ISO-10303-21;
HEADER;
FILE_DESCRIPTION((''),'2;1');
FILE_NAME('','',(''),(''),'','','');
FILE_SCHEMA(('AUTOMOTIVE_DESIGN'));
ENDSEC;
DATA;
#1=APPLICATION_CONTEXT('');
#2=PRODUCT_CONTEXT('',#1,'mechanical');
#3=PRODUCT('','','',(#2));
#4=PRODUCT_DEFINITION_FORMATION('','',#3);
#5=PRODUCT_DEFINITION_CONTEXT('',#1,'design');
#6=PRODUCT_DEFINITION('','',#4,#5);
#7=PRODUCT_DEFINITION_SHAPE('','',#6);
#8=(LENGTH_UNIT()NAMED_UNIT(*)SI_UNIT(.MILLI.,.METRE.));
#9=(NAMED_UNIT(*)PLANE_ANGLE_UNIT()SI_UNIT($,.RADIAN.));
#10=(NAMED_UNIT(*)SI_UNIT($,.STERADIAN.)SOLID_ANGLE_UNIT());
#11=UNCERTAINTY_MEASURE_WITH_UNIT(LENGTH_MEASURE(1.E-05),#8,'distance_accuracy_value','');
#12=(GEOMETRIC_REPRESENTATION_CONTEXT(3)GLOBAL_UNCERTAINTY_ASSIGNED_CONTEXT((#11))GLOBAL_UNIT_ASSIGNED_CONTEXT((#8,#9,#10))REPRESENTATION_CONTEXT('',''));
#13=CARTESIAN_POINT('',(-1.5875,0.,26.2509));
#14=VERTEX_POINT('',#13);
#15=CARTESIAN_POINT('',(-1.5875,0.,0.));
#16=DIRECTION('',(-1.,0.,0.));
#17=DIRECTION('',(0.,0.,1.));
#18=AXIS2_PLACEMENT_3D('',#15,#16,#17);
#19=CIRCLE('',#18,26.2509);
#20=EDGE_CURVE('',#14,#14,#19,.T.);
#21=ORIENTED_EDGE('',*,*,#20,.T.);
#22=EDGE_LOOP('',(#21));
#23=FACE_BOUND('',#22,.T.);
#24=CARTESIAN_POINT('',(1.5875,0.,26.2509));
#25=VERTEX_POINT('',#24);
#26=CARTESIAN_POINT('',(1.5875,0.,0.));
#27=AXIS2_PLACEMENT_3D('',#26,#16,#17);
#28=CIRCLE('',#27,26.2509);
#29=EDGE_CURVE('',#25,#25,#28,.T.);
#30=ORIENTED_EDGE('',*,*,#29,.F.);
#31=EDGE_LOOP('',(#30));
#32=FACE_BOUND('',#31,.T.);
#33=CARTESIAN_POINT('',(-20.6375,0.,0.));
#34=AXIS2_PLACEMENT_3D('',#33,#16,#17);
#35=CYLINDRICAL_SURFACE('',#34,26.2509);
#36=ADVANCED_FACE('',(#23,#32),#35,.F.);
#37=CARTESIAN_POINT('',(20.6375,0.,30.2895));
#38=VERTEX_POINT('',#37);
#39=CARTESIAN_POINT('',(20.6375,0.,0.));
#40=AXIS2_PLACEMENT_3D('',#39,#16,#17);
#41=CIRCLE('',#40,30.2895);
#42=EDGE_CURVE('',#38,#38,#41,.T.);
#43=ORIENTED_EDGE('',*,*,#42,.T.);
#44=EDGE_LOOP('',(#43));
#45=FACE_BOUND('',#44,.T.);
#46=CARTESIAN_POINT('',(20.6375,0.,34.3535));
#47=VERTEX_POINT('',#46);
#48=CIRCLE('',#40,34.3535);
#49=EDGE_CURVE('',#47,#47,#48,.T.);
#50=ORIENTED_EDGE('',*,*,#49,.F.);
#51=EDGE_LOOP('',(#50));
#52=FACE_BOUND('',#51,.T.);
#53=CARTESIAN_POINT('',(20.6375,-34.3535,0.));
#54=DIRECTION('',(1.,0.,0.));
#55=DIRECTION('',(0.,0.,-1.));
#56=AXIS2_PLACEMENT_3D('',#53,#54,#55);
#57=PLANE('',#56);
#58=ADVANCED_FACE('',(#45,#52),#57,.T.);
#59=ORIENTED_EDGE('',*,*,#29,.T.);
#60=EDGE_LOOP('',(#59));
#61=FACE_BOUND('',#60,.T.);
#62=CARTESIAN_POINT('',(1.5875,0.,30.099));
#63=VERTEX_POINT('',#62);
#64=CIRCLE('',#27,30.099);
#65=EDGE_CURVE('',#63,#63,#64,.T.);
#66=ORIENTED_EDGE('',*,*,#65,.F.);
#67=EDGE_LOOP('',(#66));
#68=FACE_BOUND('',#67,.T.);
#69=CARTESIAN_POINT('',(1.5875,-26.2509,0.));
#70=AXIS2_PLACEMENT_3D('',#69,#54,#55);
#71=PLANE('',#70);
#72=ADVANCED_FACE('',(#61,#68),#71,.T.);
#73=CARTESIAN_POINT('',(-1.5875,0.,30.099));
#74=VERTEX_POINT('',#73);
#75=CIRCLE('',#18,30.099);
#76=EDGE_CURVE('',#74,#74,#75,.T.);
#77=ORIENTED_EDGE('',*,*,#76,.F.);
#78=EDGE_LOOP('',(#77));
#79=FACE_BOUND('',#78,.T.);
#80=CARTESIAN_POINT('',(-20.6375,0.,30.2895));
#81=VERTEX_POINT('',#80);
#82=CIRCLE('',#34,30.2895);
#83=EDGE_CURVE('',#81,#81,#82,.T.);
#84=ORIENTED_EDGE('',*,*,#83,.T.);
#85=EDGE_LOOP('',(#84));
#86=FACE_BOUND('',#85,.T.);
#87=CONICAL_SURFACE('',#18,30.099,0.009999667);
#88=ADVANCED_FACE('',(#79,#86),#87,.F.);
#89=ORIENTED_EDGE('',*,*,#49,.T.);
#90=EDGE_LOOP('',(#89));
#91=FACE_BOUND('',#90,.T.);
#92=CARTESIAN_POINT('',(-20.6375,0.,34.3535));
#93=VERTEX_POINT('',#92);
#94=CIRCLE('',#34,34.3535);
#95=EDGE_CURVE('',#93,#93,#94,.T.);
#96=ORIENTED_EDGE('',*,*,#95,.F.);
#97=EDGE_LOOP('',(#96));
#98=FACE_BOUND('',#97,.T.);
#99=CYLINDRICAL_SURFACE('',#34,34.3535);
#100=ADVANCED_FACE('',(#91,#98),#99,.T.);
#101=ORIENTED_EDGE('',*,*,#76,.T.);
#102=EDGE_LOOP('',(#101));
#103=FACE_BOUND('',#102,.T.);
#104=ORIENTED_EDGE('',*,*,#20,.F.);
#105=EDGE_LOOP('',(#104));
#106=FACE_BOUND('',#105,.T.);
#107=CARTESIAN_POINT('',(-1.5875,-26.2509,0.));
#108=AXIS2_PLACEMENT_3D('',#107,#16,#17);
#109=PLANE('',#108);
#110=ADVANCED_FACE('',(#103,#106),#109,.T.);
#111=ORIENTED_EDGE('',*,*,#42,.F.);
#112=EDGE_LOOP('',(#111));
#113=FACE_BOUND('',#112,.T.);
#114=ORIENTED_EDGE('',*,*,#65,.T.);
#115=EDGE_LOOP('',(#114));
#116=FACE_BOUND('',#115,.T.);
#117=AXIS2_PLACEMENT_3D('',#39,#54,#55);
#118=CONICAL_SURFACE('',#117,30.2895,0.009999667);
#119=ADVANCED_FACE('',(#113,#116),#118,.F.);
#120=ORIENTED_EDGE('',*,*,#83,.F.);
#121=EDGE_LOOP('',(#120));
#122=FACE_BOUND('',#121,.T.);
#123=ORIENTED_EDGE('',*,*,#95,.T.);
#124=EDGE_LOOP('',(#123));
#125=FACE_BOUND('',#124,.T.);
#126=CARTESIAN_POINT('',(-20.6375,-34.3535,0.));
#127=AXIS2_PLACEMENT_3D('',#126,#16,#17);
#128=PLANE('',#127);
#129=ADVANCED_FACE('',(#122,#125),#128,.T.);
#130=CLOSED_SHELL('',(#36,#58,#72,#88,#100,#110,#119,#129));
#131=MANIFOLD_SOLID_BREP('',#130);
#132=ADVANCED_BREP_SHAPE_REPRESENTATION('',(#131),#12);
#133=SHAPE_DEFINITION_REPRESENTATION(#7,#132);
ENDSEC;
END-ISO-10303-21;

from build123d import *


with BuildPart() as part:
    # Sketch1 → Revolve1 (revolve)
    with BuildSketch(Plane.XY, mode=Mode.PRIVATE) as revolve1_sk:
        Polygon((-20.6375, -34.3535), (20.6375, -34.3535), (20.6375, -30.2895), (1.5875, -30.099), (1.5875, -26.2509), (-1.5875, -26.2509), (-1.5875, -30.099), (-20.6375, -30.2895), align=None)
    revolve(revolve1_sk.sketch.rotate(Axis((-20.6375, 0, 0), (1, 0, 0)), 270), axis=Axis((-20.6375, 0, 0), (1, 0, 0)))


solid = part.part
